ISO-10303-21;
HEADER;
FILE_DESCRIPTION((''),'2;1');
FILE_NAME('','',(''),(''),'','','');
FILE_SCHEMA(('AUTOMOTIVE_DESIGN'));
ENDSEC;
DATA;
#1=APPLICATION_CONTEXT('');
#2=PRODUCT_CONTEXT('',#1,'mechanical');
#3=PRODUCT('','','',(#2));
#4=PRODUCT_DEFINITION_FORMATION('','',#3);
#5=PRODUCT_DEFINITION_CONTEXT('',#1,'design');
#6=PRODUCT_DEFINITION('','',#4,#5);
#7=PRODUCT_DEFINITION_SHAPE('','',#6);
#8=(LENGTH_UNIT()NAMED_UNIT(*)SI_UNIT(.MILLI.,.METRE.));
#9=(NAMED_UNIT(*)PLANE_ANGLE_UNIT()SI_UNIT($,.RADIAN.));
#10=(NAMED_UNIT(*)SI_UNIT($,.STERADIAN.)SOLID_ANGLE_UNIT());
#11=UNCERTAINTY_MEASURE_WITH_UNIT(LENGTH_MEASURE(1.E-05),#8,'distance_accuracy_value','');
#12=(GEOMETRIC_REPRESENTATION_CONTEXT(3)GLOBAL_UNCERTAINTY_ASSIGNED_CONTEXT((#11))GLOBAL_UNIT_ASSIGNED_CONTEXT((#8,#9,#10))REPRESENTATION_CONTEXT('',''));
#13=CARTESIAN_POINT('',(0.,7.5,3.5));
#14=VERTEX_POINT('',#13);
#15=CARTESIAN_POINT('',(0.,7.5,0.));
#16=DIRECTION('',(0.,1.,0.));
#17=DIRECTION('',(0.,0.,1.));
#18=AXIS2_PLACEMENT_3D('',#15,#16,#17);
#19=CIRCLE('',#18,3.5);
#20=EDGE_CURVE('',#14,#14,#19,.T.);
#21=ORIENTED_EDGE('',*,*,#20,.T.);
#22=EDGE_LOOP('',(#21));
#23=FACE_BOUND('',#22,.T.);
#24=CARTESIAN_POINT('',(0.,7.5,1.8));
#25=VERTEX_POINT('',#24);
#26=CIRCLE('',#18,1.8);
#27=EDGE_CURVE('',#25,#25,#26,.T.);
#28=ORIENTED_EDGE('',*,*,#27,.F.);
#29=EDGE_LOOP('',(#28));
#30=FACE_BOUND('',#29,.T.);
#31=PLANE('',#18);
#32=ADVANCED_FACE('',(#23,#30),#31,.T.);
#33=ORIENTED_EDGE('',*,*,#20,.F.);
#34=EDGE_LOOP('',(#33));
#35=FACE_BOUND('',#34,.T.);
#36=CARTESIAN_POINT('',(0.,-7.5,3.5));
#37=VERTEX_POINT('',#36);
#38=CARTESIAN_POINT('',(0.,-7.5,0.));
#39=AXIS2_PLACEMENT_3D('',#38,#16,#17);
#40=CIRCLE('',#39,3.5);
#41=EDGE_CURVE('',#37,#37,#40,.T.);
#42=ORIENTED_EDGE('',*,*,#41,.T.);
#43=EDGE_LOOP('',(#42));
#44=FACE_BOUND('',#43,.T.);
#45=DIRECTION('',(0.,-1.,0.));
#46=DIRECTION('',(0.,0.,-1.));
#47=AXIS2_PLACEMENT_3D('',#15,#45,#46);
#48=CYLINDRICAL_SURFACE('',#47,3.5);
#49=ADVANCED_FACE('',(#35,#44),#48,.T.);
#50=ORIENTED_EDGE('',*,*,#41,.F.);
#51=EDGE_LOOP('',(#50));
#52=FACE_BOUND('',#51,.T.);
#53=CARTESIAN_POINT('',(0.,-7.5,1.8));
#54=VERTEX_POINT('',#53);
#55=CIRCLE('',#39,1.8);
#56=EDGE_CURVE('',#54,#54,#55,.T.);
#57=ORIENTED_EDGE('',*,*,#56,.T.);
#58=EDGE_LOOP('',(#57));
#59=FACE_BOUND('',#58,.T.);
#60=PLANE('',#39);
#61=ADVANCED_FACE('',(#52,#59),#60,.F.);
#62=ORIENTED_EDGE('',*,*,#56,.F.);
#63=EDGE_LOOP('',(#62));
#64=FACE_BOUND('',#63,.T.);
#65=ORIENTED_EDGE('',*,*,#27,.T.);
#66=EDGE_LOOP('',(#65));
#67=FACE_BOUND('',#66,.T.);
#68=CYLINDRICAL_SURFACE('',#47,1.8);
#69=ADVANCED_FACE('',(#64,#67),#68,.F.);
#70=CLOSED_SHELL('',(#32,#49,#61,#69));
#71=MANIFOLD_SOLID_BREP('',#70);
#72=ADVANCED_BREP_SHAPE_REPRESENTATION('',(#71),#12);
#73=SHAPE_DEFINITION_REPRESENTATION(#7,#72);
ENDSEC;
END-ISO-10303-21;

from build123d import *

# Parameters (mm, degrees)
SKETCH1_R           = 3.5
SKETCH1_R_2         = 1.8
BOSS_EXTRUDE1_DEPTH = 7.5


with BuildPart() as part:
    # Sketch1 → Boss-Extrude1 (new body, symmetric)
    with BuildSketch(Plane(origin=(0, 0, 0), x_dir=(1, 0, 0), z_dir=(0, 1, 0))):
        Circle(SKETCH1_R)
        Circle(SKETCH1_R_2, mode=Mode.SUBTRACT)
    extrude(amount=BOSS_EXTRUDE1_DEPTH, both=True)


solid = part.part
